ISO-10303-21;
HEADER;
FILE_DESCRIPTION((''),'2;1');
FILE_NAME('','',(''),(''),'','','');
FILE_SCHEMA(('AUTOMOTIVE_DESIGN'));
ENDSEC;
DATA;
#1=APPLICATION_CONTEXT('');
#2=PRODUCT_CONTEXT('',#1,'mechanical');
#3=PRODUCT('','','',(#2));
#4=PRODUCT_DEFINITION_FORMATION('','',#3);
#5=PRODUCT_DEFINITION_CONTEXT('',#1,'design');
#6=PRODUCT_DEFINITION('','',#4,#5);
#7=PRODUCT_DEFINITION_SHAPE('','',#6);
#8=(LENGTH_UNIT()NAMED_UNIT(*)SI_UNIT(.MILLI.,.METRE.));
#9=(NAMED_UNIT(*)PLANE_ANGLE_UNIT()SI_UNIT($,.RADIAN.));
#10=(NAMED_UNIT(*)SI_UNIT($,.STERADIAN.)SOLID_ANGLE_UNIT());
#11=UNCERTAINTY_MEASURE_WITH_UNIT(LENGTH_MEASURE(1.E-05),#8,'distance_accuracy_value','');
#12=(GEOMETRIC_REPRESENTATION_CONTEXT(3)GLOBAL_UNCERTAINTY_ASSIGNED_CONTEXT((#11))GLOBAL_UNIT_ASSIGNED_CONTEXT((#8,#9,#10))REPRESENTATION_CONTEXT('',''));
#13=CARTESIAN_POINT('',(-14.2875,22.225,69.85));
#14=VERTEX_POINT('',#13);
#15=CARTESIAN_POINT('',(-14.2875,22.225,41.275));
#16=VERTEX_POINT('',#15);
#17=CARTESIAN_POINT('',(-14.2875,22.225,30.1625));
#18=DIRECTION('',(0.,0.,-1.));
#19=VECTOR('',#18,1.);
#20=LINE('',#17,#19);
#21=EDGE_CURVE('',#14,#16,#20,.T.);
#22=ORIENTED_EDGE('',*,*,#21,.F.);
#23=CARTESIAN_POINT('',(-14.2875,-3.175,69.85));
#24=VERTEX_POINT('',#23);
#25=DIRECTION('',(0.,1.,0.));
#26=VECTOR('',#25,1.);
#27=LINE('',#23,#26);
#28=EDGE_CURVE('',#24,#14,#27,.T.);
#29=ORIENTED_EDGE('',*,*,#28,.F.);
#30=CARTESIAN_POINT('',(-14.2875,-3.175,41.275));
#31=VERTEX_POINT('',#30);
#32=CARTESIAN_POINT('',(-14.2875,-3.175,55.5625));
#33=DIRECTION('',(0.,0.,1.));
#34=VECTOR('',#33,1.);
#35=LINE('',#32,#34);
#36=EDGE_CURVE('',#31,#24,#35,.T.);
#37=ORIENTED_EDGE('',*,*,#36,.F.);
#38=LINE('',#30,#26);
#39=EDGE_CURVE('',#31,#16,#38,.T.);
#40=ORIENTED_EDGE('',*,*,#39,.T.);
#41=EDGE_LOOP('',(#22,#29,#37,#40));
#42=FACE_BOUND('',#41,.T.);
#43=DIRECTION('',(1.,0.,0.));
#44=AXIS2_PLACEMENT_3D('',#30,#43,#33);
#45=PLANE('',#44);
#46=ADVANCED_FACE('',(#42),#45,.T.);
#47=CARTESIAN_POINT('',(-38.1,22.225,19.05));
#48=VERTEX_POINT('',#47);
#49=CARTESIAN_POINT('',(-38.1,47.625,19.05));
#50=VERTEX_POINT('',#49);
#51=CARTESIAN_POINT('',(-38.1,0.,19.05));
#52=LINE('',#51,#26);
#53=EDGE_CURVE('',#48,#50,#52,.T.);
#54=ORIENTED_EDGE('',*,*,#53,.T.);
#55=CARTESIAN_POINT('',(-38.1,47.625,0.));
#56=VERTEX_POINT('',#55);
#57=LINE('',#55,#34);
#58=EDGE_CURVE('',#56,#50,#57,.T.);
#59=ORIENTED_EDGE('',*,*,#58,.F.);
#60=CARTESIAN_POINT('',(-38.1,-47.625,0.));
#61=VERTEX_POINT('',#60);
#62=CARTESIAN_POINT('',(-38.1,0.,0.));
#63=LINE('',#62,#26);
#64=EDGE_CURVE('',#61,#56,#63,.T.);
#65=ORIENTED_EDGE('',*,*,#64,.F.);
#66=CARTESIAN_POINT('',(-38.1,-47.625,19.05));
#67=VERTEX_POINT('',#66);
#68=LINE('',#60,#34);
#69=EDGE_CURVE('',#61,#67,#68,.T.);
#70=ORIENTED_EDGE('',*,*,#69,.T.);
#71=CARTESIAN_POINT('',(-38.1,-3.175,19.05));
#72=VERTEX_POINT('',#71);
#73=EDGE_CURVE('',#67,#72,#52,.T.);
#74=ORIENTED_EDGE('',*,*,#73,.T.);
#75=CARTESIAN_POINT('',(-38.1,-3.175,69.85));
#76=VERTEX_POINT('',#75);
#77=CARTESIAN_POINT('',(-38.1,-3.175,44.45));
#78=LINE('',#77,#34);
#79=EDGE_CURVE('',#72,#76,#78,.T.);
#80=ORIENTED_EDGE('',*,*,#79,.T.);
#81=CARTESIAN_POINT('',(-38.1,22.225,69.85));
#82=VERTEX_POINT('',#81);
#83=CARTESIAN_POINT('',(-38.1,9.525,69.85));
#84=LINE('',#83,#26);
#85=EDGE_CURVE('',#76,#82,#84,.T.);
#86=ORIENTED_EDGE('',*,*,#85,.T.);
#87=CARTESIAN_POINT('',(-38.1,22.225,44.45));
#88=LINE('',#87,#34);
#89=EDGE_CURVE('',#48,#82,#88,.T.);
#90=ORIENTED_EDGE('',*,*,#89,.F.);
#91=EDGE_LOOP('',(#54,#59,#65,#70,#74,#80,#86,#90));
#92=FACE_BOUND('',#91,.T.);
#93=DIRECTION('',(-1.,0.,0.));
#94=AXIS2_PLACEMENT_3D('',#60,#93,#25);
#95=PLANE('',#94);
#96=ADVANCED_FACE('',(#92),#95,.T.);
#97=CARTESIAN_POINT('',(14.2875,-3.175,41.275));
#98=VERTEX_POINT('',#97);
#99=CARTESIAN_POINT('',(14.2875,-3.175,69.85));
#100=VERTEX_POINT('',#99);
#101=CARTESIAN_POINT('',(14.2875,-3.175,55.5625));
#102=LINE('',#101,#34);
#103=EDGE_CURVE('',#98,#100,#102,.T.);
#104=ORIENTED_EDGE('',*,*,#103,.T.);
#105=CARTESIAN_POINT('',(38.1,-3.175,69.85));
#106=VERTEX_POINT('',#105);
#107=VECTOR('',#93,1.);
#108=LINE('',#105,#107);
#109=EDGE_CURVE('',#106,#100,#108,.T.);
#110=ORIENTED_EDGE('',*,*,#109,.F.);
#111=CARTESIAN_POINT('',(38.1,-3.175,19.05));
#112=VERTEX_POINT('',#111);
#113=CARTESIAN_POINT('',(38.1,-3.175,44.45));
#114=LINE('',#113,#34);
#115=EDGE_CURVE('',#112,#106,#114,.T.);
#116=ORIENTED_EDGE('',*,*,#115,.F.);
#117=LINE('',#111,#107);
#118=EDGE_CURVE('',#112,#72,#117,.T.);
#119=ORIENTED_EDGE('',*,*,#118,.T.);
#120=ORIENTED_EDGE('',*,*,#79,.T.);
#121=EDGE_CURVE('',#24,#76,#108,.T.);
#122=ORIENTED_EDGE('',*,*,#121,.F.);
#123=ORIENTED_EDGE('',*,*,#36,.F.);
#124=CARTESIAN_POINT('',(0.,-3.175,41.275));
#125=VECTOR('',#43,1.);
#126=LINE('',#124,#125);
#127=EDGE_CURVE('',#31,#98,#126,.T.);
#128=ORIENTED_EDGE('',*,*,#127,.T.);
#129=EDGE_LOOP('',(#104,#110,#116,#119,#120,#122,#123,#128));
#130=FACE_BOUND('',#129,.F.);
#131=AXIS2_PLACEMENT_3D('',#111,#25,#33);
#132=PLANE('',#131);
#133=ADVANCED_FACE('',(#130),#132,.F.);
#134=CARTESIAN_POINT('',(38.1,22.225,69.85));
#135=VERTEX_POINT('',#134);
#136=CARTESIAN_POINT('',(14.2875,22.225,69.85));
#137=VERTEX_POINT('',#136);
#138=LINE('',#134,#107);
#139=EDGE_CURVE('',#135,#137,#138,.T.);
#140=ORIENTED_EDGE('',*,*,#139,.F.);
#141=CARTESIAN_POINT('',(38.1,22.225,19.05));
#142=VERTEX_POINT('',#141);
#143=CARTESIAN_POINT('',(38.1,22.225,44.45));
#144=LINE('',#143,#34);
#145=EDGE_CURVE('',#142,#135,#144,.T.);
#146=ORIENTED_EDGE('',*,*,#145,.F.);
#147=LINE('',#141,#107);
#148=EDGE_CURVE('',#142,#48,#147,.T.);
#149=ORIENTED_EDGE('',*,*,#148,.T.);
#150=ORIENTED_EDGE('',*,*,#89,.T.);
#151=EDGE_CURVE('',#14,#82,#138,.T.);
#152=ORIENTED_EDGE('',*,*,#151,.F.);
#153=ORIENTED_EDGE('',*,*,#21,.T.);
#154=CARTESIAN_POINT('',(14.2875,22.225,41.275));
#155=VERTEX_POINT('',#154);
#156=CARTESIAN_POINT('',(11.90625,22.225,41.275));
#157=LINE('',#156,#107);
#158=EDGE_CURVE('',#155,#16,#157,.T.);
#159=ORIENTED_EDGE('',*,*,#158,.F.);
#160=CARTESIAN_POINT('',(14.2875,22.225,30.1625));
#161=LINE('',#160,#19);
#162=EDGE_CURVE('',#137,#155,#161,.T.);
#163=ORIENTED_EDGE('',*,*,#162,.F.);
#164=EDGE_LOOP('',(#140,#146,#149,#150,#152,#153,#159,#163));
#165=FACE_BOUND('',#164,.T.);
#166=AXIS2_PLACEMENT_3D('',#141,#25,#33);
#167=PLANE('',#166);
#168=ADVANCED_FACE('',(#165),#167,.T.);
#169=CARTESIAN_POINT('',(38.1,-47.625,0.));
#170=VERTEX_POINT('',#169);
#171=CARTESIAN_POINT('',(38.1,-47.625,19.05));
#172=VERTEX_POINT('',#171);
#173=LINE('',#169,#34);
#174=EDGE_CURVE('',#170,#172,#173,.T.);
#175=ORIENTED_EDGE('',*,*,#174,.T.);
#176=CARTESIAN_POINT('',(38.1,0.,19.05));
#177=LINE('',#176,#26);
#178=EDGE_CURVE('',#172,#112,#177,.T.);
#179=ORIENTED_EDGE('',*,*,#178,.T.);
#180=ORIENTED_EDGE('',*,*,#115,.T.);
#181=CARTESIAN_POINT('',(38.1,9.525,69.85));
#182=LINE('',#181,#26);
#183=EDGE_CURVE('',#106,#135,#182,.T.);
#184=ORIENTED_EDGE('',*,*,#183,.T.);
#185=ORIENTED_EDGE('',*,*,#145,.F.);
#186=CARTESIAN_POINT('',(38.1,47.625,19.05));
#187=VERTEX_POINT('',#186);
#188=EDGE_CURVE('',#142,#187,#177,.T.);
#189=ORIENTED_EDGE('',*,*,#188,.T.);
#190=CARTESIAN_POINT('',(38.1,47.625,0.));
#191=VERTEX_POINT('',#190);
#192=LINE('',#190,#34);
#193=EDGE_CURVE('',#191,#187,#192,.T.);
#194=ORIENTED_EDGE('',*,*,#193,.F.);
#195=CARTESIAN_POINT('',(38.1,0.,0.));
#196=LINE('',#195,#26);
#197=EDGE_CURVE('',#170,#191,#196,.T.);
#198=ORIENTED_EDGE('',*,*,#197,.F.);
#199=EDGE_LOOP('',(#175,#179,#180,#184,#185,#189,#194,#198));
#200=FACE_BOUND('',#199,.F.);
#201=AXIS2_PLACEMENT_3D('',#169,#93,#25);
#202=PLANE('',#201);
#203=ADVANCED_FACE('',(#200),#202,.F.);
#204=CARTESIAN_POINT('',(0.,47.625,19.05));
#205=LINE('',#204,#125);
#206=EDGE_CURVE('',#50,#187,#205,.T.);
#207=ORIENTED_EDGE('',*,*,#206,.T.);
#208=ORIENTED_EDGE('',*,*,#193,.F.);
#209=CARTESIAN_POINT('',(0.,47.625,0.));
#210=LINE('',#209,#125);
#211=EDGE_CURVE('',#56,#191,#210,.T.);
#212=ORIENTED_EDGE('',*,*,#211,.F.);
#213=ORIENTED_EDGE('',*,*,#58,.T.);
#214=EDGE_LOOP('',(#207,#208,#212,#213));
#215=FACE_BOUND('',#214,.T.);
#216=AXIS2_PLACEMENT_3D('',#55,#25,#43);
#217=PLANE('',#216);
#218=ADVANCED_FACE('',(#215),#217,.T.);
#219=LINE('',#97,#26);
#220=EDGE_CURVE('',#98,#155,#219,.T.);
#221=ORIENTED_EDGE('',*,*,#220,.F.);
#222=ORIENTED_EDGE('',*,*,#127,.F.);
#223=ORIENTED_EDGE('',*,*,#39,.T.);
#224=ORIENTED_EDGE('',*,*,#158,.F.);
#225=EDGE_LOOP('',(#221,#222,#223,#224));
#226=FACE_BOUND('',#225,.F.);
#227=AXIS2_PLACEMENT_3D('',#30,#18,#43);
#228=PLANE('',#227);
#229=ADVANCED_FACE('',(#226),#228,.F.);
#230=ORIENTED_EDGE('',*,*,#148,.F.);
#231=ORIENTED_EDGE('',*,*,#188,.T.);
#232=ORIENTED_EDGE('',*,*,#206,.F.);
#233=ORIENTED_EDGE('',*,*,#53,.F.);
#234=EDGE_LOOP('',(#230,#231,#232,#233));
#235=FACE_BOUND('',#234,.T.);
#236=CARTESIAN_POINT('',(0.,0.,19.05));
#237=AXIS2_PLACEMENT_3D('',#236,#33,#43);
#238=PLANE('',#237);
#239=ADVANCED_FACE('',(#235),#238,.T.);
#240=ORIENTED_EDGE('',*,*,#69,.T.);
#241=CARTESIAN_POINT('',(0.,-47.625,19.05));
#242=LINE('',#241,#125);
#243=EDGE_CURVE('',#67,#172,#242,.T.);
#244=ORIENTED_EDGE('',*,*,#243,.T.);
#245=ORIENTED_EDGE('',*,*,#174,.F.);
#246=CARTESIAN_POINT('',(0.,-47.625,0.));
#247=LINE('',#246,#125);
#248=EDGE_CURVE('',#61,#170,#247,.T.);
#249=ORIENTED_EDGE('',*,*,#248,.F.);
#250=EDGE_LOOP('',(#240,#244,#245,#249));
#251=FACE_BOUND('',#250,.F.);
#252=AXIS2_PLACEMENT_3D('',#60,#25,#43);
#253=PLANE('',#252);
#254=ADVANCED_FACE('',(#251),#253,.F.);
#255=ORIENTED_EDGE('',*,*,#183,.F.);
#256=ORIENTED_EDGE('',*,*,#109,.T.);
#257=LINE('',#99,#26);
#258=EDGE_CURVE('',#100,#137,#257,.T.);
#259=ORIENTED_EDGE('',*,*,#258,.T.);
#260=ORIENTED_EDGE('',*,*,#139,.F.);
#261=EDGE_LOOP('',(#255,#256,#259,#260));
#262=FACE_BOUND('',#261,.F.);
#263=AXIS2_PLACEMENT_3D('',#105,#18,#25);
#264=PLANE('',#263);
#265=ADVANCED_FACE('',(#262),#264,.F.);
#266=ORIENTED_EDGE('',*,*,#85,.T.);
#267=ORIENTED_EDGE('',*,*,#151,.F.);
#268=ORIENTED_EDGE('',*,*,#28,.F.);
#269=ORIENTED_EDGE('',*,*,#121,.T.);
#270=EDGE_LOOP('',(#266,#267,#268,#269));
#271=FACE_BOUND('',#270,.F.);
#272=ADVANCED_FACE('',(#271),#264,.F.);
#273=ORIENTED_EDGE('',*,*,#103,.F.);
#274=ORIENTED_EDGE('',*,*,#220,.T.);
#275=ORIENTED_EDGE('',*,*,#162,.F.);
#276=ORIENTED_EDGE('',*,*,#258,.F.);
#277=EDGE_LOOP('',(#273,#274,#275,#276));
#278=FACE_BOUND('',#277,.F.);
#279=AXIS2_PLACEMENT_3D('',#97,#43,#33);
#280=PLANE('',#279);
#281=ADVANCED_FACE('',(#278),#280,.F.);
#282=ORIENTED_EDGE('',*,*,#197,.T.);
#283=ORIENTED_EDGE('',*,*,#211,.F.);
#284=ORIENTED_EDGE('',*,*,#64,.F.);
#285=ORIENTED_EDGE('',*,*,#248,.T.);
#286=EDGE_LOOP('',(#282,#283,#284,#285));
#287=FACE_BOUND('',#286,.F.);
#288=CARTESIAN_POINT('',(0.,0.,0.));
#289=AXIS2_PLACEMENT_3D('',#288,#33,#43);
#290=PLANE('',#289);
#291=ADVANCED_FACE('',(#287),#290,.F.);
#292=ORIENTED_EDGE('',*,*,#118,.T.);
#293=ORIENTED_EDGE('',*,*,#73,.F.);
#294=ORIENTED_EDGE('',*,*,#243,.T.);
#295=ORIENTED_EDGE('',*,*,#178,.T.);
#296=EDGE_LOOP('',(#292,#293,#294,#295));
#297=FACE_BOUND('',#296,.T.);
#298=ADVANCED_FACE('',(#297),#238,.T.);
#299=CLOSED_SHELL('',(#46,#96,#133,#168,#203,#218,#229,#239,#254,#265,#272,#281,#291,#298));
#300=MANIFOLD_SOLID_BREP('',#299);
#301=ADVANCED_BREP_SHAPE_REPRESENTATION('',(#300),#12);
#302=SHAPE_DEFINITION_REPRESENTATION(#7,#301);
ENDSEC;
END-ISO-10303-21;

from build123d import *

# Parameters (mm, degrees)
F0_W     = 76.2
F0_H     = 95.25
F1_DEPTH = 19.05
F2_W     = 25.4
F2_H     = 50.8
F3_DEPTH = 76.2
F6_W     = 28.575
F6_H     = 28.575
F7_DEPTH = 127


with BuildPart() as f1:
    # F0 (on Top) → F1 (new body)
    with BuildSketch(Plane.XY):
        Rectangle(F0_W, F0_H)
    extrude(amount=F1_DEPTH)

    # F2 (on face) → F3 (join, through all)
    with BuildSketch(Plane.YZ.offset(38.1)):
        with Locations((9.525, 44.45)):
            Rectangle(F2_W, F2_H)
    extrude(amount=-F3_DEPTH)

    # F6 (on face) → F7 (cut)
    with BuildSketch(Plane.XZ.offset(3.175)):
        with Locations((0, 55.5625)):
            Rectangle(F6_W, F6_H)
    extrude(amount=-F7_DEPTH, mode=Mode.SUBTRACT)


solid = f1.part
